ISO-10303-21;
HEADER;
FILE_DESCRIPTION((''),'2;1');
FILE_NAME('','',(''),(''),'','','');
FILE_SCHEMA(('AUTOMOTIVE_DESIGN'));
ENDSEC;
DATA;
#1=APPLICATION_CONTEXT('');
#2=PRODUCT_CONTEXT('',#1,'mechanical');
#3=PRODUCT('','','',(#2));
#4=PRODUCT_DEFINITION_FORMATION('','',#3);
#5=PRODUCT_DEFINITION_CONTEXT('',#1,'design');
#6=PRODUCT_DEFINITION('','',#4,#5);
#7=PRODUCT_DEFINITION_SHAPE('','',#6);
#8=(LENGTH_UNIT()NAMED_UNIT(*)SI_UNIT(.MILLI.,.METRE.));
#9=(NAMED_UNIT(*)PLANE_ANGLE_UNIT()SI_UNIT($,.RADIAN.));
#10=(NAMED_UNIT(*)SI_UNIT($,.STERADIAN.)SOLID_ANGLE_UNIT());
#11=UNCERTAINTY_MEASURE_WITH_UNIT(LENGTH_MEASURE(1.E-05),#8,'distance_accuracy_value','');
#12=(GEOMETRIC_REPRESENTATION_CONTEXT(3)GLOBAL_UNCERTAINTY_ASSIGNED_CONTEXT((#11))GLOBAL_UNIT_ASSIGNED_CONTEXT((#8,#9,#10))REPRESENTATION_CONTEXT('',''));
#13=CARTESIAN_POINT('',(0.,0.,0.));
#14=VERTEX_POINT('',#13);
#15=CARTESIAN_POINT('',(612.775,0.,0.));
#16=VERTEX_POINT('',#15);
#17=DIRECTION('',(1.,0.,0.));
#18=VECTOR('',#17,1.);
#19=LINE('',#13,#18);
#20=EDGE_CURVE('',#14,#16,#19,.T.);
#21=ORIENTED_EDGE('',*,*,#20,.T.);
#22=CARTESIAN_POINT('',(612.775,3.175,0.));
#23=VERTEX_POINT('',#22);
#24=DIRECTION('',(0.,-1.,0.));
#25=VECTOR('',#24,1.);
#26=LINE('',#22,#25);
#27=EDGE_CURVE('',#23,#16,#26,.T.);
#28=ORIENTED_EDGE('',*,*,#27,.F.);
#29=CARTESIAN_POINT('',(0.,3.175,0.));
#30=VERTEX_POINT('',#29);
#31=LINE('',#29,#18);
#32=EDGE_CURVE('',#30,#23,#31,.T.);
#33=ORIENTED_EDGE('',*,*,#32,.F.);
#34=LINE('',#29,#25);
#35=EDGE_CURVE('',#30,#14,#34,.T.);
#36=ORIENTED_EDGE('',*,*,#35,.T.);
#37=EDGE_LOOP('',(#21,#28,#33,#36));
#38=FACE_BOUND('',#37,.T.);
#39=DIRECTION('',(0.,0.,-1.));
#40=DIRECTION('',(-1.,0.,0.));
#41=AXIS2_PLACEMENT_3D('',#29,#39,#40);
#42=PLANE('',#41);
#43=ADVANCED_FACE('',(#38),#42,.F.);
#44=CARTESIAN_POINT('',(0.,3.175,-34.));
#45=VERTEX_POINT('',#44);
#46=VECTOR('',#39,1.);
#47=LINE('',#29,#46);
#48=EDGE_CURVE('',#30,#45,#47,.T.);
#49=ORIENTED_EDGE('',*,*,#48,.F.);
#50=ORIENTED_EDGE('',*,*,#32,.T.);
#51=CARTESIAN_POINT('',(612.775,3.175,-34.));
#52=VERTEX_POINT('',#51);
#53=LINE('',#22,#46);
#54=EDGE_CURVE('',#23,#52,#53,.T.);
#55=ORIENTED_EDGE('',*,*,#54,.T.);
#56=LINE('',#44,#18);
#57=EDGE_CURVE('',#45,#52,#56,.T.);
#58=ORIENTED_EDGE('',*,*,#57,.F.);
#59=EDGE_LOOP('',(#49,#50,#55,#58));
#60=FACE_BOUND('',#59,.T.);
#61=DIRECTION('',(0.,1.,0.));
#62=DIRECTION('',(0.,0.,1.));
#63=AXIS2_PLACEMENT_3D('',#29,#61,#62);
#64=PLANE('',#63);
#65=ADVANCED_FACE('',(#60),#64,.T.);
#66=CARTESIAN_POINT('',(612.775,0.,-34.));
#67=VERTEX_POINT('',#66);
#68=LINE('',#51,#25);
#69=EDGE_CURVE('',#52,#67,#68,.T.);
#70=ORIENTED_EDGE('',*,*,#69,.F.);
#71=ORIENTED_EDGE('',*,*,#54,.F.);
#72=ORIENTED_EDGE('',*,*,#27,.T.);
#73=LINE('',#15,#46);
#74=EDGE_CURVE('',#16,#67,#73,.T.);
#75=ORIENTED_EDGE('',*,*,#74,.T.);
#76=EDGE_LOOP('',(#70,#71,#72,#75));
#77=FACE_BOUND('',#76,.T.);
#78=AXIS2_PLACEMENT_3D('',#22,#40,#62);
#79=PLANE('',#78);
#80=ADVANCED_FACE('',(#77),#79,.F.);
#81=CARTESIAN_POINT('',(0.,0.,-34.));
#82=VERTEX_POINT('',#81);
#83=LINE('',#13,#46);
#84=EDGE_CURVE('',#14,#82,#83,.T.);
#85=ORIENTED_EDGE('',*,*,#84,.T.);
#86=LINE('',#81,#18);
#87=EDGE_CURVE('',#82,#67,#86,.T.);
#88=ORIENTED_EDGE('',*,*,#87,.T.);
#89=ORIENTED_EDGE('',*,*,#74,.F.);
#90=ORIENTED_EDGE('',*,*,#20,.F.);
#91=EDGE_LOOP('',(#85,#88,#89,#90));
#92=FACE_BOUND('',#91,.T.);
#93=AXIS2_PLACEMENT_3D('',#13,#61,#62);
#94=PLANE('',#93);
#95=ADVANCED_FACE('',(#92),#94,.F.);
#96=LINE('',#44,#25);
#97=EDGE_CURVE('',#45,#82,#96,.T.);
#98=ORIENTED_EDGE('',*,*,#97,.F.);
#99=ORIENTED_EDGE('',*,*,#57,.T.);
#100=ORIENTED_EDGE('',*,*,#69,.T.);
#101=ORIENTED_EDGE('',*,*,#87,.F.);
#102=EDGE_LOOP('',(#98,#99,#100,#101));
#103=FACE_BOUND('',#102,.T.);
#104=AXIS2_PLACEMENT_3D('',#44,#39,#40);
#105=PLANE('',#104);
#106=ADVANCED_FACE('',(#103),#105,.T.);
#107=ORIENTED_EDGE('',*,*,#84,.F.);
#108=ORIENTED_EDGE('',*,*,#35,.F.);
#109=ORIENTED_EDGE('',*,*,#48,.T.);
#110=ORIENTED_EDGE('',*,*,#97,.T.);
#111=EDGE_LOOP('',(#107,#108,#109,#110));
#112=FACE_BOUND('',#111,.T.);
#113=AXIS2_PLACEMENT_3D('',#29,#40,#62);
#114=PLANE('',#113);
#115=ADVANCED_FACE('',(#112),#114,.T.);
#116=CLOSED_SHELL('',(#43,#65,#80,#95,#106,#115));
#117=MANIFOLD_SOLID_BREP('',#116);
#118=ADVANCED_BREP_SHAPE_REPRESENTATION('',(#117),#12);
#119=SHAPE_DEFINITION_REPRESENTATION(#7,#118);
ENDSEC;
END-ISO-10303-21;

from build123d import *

# Parameters (mm, degrees)
SKETCH1_W           = 612.775
SKETCH1_H           = 34
BOSS_EXTRUDE1_DEPTH = 3.175


with BuildPart() as part:
    # Sketch1 → Boss-Extrude1 (new body)
    with BuildSketch(Plane(origin=(0, 0, 0), x_dir=(1, 0, 0), z_dir=(0, 1, 0))):
        with Locations((306.3875, 17)):
            Rectangle(SKETCH1_W, SKETCH1_H)
    extrude(amount=BOSS_EXTRUDE1_DEPTH)


solid = part.part
